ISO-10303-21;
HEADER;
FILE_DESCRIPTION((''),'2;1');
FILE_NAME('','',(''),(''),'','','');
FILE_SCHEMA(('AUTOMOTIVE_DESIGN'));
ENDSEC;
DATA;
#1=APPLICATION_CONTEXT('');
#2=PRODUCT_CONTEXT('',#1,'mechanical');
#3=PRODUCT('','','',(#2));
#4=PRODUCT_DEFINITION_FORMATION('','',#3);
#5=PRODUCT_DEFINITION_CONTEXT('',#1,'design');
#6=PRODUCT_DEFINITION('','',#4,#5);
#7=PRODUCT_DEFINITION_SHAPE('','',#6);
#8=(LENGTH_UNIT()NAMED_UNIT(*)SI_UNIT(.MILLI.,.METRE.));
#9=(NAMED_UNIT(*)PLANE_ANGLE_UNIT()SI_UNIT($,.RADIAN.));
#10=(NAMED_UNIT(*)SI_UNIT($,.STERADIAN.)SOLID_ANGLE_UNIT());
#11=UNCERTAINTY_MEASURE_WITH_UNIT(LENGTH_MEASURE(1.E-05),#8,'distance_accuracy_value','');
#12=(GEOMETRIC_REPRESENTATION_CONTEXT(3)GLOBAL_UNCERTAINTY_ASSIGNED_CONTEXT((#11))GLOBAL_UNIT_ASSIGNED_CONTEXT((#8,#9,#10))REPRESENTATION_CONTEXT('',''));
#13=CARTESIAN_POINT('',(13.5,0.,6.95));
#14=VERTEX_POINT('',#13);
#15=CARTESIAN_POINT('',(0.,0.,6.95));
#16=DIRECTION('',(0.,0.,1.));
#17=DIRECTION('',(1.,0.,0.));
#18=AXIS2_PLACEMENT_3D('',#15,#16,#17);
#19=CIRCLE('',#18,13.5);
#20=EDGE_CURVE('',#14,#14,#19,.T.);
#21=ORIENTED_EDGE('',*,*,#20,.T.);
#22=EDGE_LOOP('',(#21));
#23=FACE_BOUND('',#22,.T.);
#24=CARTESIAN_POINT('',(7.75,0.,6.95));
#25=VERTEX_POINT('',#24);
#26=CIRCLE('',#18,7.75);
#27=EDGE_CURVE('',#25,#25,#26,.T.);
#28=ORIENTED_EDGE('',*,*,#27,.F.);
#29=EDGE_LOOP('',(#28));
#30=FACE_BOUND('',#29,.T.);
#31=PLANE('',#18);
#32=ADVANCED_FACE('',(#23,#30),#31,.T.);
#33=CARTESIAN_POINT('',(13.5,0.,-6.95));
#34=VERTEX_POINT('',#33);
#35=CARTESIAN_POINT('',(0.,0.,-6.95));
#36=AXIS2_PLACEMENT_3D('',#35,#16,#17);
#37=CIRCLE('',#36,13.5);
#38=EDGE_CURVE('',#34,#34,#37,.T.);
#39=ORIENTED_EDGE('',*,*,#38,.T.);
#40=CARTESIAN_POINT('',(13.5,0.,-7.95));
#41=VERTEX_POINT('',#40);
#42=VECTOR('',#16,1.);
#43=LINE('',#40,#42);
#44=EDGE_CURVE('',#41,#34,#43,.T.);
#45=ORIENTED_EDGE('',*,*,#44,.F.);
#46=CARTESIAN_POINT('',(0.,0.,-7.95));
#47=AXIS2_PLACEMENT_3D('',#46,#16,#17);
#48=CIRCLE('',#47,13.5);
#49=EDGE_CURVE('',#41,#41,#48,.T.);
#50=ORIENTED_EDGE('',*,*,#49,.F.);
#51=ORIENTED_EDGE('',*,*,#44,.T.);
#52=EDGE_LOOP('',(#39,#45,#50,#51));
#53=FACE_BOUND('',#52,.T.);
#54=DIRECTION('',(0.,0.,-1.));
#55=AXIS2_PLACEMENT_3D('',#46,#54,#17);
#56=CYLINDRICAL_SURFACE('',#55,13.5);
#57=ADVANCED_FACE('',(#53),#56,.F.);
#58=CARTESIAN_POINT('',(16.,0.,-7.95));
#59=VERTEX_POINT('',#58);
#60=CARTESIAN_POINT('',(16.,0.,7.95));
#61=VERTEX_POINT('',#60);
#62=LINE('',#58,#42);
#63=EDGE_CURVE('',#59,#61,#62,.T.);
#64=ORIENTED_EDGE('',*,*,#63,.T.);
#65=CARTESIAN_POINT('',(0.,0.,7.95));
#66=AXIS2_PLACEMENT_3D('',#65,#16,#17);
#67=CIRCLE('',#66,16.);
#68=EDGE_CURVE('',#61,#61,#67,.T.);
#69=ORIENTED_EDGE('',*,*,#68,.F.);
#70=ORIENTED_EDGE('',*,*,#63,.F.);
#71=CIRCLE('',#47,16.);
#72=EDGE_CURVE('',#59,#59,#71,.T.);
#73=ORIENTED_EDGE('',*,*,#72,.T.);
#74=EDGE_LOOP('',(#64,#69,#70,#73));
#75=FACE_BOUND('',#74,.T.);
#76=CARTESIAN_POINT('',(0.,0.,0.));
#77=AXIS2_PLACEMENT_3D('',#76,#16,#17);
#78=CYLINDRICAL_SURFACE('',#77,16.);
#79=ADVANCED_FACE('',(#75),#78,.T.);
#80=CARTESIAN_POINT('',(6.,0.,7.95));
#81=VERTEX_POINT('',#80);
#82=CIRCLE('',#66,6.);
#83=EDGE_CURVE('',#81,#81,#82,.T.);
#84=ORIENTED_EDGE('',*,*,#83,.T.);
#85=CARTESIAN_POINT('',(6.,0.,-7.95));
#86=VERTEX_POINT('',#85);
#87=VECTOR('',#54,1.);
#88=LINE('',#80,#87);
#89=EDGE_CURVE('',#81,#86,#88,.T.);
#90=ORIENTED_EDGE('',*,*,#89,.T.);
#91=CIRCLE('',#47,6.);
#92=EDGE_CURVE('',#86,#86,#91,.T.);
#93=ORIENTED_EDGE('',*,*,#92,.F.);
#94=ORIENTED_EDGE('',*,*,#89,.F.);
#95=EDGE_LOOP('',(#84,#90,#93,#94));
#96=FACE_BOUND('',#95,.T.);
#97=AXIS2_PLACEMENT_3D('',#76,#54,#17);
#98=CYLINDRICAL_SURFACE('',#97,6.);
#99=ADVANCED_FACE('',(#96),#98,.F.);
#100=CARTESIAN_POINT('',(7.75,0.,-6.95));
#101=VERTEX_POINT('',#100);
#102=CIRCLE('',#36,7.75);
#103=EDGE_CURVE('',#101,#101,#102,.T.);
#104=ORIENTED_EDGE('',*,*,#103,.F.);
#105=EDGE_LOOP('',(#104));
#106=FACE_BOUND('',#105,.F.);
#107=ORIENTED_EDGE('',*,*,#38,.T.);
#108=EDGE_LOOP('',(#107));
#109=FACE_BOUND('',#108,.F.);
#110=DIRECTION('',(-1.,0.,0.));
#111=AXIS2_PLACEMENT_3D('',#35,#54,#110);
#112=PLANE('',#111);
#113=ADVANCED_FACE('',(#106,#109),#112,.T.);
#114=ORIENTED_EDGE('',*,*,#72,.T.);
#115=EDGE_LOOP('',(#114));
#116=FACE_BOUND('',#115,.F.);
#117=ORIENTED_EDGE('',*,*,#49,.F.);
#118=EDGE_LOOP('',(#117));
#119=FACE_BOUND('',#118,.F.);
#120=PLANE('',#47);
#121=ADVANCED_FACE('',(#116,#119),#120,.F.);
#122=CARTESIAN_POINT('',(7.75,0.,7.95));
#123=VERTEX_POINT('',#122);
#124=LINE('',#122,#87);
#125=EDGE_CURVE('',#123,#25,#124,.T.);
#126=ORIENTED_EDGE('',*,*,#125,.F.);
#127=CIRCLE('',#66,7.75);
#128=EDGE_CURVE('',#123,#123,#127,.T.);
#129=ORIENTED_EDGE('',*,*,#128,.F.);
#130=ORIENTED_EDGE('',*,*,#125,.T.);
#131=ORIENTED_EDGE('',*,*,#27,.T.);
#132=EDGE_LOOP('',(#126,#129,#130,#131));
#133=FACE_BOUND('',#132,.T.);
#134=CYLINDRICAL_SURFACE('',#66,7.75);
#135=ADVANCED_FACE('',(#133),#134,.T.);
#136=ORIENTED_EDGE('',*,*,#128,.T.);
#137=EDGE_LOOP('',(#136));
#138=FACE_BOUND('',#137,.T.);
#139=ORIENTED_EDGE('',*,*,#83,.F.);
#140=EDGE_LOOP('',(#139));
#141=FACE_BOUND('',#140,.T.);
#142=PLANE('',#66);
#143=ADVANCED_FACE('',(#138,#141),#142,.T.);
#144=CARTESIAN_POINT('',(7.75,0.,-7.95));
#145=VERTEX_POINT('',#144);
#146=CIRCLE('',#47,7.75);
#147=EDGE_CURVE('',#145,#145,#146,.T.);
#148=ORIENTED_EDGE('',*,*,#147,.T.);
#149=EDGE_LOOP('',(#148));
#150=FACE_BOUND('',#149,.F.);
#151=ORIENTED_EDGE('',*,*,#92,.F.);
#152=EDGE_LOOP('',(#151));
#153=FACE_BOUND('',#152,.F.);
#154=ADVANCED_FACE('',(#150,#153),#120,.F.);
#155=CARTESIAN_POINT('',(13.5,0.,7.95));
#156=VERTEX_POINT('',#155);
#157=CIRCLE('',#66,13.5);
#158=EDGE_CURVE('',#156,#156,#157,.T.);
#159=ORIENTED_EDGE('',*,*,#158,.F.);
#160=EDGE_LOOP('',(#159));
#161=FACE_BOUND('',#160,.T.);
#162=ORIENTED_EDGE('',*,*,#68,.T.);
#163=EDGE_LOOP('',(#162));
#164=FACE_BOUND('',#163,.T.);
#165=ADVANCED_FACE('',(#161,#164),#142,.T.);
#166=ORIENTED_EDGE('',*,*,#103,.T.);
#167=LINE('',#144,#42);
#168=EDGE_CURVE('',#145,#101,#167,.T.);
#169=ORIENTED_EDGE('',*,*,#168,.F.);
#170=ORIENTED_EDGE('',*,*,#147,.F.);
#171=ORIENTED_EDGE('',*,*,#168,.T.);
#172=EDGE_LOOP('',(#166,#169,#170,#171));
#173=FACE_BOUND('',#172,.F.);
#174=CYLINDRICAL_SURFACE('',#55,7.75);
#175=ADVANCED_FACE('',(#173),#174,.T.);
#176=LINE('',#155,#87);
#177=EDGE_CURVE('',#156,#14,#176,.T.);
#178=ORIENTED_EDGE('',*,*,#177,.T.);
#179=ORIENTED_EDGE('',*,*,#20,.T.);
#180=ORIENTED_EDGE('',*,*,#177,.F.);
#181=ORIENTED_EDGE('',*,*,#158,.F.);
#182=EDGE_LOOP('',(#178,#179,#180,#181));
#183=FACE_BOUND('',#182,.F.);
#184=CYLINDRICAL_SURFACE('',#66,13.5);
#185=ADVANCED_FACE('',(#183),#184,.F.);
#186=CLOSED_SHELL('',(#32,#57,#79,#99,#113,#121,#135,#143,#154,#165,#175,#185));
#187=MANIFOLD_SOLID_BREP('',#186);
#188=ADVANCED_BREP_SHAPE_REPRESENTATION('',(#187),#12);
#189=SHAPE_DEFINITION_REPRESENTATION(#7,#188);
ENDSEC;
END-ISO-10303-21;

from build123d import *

# Parameters (mm, degrees)
SKETCH083_R     = 16
SKETCH083_R_2   = 6
PAD029_DEPTH    = 7.95
SKETCH084_R     = 13.5
SKETCH084_R_2   = 7.75
POCKET048_DEPTH = 1


with BuildPart() as part:
    # Sketch083 → Pad029 (new body, symmetric)
    with BuildSketch(Plane.XY):
        Circle(SKETCH083_R)
        Circle(SKETCH083_R_2, mode=Mode.SUBTRACT)
    extrude(amount=PAD029_DEPTH, both=True)

    # Sketch084 (on Face4 of Pad029) → Pocket048 (cut)
    with BuildSketch(Plane.XY.offset(7.95)):
        Circle(SKETCH084_R)
        Circle(SKETCH084_R_2, mode=Mode.SUBTRACT)
    pocket048 = extrude(amount=-POCKET048_DEPTH, mode=Mode.SUBTRACT)

    # Mirrored001: Pocket048 across XY
    add(pocket048.mirror(Plane.XY), mode=Mode.SUBTRACT)


solid = part.part
